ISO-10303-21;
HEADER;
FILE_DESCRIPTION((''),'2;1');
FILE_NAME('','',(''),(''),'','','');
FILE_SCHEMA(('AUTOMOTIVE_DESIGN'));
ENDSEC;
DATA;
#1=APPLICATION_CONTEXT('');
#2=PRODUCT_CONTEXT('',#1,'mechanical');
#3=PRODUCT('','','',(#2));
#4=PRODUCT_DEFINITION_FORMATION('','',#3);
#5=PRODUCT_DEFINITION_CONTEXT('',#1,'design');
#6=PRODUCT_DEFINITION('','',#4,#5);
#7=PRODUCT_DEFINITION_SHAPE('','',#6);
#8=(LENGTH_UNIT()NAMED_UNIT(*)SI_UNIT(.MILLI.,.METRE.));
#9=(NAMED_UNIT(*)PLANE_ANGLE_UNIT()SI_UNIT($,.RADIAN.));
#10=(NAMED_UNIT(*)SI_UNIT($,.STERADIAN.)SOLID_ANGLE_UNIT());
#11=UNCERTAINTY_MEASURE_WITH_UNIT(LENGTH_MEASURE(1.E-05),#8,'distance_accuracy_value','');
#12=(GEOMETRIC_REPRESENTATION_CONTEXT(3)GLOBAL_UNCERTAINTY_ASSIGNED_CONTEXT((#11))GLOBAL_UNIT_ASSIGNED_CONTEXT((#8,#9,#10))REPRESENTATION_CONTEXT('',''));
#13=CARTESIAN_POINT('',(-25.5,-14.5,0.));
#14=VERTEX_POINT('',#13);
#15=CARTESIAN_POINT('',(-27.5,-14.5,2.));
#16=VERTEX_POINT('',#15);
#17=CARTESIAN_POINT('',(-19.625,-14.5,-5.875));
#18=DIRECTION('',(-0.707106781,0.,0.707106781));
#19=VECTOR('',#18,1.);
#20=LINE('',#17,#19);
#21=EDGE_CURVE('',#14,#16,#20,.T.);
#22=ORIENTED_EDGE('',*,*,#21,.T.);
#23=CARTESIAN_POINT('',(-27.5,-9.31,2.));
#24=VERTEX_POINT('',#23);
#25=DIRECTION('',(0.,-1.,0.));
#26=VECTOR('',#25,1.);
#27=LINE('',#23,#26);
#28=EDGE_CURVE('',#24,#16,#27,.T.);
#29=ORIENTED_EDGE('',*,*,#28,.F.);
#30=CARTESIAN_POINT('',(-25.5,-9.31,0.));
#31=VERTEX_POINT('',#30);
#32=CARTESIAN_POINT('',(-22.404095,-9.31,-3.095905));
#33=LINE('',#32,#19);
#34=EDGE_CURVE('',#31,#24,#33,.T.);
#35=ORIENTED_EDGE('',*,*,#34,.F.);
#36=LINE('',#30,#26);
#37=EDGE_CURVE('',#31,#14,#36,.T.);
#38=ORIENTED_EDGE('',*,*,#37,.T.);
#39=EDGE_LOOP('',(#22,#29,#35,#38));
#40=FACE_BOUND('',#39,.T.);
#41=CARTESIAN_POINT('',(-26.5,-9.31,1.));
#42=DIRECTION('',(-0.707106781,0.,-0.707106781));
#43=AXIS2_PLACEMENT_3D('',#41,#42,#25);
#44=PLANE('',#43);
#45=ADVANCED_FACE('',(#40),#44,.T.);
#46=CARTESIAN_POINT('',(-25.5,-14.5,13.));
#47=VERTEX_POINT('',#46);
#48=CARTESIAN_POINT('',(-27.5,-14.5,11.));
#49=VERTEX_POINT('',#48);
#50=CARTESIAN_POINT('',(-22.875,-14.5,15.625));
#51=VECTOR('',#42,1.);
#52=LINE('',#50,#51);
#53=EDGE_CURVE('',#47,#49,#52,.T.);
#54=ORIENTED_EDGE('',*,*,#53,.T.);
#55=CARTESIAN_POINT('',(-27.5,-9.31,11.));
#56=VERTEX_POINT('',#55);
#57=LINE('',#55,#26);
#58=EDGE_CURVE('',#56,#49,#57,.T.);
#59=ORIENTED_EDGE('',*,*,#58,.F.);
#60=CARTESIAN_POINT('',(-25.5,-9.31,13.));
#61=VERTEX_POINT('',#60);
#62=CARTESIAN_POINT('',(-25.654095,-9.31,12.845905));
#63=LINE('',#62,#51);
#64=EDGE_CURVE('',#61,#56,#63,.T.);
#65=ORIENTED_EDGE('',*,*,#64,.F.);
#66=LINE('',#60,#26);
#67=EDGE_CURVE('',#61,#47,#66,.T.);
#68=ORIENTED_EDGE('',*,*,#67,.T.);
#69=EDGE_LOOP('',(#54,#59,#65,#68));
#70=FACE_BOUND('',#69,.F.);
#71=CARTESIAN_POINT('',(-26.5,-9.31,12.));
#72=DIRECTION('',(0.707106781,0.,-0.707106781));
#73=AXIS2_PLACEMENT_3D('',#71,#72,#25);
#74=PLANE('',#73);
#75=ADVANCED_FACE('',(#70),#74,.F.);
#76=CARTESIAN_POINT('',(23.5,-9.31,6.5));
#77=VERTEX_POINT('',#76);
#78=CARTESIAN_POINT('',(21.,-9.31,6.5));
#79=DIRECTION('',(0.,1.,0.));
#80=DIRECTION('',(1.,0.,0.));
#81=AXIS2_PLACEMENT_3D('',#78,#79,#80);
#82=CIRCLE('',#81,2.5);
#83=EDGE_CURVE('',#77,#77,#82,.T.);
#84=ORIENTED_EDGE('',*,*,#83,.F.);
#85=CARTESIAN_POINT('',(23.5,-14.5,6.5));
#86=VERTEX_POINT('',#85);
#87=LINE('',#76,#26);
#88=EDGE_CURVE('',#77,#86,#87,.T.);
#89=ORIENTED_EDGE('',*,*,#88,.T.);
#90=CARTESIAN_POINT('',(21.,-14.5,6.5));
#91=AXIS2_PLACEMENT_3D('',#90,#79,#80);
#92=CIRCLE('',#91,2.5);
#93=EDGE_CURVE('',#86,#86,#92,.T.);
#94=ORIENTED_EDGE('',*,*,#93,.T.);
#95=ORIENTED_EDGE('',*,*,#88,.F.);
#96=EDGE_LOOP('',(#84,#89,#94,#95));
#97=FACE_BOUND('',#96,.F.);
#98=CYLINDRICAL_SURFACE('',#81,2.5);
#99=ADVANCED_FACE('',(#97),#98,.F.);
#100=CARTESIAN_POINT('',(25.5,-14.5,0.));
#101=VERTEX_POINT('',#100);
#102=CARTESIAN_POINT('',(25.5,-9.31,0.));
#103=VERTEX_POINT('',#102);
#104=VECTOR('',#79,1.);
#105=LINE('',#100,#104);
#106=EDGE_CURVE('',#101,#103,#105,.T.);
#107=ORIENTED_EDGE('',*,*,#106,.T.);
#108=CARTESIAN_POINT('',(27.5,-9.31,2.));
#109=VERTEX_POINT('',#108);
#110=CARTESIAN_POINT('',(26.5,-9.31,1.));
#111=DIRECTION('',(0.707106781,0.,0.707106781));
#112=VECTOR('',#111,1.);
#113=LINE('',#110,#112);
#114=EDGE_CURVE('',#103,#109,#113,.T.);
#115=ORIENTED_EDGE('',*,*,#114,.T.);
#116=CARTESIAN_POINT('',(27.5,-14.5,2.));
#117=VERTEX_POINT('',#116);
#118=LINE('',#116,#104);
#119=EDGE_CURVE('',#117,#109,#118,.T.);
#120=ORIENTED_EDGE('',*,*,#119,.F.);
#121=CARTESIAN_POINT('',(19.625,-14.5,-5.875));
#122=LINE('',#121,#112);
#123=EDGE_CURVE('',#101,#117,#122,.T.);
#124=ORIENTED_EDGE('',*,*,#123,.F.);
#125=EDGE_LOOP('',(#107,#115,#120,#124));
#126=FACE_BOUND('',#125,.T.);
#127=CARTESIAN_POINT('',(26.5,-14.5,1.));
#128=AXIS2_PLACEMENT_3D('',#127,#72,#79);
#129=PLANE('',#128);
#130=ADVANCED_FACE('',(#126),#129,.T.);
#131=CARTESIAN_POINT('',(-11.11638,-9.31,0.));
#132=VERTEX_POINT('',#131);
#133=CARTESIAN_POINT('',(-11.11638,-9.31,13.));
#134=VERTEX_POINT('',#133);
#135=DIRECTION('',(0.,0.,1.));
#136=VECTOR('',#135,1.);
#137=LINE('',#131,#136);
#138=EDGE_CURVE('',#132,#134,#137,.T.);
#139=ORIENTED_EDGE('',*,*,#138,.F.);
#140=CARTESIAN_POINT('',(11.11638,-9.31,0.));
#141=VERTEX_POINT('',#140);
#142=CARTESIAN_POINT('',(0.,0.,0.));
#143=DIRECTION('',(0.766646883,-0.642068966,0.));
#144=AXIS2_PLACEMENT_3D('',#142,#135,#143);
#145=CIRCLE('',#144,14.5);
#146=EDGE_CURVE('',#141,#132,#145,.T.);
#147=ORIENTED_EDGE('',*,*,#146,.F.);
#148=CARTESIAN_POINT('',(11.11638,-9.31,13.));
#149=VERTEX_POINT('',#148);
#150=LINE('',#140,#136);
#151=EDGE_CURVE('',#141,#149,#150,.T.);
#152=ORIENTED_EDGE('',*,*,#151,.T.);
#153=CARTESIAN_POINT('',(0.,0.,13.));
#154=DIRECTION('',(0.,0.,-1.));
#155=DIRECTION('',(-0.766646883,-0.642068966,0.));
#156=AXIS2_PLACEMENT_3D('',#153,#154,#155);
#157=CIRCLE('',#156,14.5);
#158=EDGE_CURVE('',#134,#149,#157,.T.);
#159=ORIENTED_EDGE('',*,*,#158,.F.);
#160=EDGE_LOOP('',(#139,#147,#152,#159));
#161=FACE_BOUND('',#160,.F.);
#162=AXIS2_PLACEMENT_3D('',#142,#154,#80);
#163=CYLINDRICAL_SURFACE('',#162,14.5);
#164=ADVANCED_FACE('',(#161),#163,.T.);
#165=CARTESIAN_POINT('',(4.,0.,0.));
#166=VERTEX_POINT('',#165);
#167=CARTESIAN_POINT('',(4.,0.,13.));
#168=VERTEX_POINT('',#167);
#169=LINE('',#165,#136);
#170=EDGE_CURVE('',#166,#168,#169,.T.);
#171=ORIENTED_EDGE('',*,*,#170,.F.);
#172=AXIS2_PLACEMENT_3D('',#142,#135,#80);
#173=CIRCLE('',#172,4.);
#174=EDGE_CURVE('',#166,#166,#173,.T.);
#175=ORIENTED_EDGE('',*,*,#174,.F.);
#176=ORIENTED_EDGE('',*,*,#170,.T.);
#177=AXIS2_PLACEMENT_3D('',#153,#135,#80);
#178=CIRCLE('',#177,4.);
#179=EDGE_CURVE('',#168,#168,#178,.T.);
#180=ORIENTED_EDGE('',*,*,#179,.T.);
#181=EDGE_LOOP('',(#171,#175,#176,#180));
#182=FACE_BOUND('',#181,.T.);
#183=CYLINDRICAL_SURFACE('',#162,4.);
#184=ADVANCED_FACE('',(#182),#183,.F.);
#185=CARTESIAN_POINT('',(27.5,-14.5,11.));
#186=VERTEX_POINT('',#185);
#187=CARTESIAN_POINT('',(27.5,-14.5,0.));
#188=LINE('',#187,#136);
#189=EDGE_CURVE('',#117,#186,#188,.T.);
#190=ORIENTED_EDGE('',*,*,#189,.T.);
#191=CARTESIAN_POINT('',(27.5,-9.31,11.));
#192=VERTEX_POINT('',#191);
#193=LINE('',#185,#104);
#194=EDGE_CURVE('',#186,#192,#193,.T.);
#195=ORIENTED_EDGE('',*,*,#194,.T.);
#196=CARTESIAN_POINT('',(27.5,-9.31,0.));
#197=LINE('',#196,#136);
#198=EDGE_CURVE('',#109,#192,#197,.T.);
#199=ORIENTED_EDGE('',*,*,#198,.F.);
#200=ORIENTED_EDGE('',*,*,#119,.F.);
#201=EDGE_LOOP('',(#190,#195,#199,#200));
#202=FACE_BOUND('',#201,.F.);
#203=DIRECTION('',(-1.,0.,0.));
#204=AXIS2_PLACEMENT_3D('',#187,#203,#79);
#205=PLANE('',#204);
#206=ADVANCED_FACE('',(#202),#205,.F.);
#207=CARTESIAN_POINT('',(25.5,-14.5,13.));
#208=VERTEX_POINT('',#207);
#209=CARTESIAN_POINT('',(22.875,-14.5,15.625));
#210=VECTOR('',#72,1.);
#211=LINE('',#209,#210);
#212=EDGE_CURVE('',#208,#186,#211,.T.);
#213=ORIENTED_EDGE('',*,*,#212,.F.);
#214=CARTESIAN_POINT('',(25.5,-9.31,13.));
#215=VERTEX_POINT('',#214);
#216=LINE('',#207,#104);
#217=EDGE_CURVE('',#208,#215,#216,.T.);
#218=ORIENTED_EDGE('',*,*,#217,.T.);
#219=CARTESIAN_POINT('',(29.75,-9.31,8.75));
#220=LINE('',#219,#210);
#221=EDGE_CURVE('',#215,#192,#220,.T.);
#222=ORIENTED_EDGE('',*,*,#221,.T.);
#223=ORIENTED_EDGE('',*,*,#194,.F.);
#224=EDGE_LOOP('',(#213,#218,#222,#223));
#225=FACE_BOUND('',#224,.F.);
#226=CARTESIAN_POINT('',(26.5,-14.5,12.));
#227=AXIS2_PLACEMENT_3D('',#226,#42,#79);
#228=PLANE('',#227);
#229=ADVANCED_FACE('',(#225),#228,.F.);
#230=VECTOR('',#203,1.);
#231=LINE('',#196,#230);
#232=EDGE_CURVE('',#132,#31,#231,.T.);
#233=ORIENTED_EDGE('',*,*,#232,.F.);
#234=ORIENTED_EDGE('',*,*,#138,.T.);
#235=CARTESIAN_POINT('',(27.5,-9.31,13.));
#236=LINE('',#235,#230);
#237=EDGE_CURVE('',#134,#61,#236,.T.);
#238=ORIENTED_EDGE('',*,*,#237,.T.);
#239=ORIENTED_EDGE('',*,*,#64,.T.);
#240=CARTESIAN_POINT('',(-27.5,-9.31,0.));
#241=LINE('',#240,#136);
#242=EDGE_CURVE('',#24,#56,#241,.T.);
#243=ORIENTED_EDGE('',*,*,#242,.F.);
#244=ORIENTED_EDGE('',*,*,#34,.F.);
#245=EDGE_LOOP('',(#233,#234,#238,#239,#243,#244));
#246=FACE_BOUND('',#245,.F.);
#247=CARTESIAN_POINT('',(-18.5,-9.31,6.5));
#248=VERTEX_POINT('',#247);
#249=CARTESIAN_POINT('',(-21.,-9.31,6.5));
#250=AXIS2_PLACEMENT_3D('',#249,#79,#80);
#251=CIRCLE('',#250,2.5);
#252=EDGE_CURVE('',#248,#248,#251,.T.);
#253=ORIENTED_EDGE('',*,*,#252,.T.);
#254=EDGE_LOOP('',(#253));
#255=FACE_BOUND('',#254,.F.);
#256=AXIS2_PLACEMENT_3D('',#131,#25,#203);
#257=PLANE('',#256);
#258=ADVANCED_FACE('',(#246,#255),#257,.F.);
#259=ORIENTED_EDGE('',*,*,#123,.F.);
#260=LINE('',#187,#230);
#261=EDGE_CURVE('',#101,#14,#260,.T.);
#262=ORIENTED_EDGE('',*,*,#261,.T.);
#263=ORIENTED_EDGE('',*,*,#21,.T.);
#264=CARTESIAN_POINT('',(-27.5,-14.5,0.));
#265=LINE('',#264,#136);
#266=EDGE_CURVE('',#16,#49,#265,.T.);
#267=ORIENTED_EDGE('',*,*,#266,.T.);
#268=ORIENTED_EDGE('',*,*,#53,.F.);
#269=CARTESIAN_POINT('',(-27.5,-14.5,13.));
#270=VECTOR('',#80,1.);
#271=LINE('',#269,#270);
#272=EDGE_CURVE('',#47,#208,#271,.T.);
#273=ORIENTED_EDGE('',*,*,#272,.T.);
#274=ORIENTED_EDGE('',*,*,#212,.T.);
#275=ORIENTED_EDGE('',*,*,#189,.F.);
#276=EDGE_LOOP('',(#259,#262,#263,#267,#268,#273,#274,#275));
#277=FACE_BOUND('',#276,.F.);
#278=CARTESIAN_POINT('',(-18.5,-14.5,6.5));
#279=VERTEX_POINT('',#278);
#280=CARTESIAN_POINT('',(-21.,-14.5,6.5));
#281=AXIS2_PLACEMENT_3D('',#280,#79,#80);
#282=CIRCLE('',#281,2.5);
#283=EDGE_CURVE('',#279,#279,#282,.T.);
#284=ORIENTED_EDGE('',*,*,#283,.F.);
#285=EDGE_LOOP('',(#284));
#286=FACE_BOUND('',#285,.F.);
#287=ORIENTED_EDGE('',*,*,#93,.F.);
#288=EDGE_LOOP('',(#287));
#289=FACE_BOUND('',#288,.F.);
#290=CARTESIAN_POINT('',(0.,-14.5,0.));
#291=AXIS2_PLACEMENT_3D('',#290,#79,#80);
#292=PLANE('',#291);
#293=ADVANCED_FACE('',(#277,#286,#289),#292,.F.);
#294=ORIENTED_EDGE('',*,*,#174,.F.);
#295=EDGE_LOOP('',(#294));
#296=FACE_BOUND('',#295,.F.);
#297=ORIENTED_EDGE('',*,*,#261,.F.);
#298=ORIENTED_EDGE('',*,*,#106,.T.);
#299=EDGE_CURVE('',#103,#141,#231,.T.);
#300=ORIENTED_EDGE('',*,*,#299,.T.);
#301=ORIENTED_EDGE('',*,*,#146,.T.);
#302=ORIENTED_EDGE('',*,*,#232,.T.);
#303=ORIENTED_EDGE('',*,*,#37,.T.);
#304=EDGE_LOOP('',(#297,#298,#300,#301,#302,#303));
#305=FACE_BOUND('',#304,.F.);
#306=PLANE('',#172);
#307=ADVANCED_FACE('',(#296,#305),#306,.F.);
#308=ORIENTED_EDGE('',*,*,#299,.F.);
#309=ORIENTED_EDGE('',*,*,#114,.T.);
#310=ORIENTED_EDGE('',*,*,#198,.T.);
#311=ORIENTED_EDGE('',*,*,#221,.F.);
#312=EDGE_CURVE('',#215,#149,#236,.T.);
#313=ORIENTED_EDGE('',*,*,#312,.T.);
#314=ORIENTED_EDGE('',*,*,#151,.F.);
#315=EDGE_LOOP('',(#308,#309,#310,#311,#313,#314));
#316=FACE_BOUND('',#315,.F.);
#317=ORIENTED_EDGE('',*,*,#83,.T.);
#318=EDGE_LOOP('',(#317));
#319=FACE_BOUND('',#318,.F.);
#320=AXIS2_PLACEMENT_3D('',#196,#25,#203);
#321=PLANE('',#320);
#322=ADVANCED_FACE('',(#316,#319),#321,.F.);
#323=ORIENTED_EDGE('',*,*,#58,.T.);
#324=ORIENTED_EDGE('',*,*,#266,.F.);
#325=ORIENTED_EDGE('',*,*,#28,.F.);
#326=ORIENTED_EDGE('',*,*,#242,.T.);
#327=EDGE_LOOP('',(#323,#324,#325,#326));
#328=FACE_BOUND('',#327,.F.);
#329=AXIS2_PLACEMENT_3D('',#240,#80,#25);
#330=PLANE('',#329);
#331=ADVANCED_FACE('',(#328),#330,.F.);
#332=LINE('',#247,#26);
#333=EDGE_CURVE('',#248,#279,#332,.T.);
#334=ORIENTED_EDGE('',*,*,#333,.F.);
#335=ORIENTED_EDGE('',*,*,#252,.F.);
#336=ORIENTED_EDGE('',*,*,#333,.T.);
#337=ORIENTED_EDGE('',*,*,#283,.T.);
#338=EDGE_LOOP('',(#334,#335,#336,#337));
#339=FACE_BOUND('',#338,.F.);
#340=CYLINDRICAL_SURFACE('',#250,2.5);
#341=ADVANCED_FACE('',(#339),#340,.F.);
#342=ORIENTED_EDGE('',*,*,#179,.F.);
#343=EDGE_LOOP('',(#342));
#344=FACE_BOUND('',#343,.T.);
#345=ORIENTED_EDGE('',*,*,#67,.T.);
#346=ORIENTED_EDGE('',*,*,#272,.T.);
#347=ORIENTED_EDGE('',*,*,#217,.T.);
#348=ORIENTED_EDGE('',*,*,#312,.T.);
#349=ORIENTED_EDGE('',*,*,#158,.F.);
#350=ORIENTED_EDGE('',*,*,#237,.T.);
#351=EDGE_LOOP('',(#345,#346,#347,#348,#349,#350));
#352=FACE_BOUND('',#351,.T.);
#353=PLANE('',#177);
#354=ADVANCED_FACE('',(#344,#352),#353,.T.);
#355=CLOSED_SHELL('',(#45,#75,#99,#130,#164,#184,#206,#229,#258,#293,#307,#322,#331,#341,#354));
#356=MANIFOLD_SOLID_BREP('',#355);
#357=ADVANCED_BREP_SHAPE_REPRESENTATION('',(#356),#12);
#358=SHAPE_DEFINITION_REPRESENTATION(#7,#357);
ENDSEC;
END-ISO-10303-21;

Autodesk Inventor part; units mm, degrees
ref_plane "YZ Plane" through (0, 0, 0) normal (1, 0, 0) x (0, 1, 0)
ref_plane "XZ Plane" through (0, 0, 0) normal (0, 1, 0) x (-1, 0, 0)
ref_plane "XY Plane" through (0, 0, 0) normal (0, 0, 1) x (1, 0, 0)
sketch "Sketch1" plane through (0, 0, 0) normal (0, 0, 1) x (1, 0, 0)
  circle A0 centre (0, 0) radius 4
  circle A1 centre (0, 0) radius 14.5
  line L0 (-27.5, -14.5) -> (27.5, -14.5)
  line L1 (27.5, -14.5) -> (27.5, -9.31)
  line L2 (27.5, -9.31) -> (-27.5, -9.31)
  line L3 (-27.5, -9.31) -> (-27.5, -14.5)
  dimension "d0" = 8
  dimension "d1" = 29
  dimension "d2" = 27.5
  dimension "d3" = 27.5
  dimension "d4" = 5.19
extrude "Extrusion1" add sketch "Sketch1" along normal blind 13
sketch "Sketch2" plane through (11.1164, -9.31, 0) normal (0, 1, 0) x (1, 0, 0)
  line L0 (-22.2328, -13) -> (-22.2328, 0) projected
  line L1 (-22.2328, 0) -> (-38.6164, 0) projected
  line L2 (-38.6164, 0) -> (-38.6164, -13) projected
  line L3 (-22.2328, -13) -> (-38.6164, -13) projected
  line L4 (0, 0) -> (0, -13) projected
  line L5 (16.3836, -13) -> (0, -13) projected
  line L6 (16.3836, 0) -> (16.3836, -13) projected
  line L7 (16.3836, 0) -> (0, 0) projected
  circle A0 centre (-32.1164, -6.5) radius 2.5
  circle A1 centre (9.8836, -6.5) radius 2.5
  line L8 (0, 0) -> (0, -13) projected
  line L9 (-22.2328, 0) -> (0, 0) projected
  line L10 (-22.2328, -13) -> (-22.2328, 0) projected
  line L11 (0, -13) -> (-22.2328, -13) projected
  point P0 (-11.1164, 0)
  dimension "d7" = 5
  dimension "d8" = 5
  dimension "d9" = 21
  dimension "d10" = 21
extrude "Extrusion2" cut sketch "Sketch2" against normal through all contours A0 | A1
chamfer "Chamfer1" distance 2 angle 45 4 edges at (-27.5, -11.905, 0) (27.5, -11.905, 0) (27.5, -11.905, 13) (-27.5, -11.905, 13)
properties part number "00_spindel_bearings"
